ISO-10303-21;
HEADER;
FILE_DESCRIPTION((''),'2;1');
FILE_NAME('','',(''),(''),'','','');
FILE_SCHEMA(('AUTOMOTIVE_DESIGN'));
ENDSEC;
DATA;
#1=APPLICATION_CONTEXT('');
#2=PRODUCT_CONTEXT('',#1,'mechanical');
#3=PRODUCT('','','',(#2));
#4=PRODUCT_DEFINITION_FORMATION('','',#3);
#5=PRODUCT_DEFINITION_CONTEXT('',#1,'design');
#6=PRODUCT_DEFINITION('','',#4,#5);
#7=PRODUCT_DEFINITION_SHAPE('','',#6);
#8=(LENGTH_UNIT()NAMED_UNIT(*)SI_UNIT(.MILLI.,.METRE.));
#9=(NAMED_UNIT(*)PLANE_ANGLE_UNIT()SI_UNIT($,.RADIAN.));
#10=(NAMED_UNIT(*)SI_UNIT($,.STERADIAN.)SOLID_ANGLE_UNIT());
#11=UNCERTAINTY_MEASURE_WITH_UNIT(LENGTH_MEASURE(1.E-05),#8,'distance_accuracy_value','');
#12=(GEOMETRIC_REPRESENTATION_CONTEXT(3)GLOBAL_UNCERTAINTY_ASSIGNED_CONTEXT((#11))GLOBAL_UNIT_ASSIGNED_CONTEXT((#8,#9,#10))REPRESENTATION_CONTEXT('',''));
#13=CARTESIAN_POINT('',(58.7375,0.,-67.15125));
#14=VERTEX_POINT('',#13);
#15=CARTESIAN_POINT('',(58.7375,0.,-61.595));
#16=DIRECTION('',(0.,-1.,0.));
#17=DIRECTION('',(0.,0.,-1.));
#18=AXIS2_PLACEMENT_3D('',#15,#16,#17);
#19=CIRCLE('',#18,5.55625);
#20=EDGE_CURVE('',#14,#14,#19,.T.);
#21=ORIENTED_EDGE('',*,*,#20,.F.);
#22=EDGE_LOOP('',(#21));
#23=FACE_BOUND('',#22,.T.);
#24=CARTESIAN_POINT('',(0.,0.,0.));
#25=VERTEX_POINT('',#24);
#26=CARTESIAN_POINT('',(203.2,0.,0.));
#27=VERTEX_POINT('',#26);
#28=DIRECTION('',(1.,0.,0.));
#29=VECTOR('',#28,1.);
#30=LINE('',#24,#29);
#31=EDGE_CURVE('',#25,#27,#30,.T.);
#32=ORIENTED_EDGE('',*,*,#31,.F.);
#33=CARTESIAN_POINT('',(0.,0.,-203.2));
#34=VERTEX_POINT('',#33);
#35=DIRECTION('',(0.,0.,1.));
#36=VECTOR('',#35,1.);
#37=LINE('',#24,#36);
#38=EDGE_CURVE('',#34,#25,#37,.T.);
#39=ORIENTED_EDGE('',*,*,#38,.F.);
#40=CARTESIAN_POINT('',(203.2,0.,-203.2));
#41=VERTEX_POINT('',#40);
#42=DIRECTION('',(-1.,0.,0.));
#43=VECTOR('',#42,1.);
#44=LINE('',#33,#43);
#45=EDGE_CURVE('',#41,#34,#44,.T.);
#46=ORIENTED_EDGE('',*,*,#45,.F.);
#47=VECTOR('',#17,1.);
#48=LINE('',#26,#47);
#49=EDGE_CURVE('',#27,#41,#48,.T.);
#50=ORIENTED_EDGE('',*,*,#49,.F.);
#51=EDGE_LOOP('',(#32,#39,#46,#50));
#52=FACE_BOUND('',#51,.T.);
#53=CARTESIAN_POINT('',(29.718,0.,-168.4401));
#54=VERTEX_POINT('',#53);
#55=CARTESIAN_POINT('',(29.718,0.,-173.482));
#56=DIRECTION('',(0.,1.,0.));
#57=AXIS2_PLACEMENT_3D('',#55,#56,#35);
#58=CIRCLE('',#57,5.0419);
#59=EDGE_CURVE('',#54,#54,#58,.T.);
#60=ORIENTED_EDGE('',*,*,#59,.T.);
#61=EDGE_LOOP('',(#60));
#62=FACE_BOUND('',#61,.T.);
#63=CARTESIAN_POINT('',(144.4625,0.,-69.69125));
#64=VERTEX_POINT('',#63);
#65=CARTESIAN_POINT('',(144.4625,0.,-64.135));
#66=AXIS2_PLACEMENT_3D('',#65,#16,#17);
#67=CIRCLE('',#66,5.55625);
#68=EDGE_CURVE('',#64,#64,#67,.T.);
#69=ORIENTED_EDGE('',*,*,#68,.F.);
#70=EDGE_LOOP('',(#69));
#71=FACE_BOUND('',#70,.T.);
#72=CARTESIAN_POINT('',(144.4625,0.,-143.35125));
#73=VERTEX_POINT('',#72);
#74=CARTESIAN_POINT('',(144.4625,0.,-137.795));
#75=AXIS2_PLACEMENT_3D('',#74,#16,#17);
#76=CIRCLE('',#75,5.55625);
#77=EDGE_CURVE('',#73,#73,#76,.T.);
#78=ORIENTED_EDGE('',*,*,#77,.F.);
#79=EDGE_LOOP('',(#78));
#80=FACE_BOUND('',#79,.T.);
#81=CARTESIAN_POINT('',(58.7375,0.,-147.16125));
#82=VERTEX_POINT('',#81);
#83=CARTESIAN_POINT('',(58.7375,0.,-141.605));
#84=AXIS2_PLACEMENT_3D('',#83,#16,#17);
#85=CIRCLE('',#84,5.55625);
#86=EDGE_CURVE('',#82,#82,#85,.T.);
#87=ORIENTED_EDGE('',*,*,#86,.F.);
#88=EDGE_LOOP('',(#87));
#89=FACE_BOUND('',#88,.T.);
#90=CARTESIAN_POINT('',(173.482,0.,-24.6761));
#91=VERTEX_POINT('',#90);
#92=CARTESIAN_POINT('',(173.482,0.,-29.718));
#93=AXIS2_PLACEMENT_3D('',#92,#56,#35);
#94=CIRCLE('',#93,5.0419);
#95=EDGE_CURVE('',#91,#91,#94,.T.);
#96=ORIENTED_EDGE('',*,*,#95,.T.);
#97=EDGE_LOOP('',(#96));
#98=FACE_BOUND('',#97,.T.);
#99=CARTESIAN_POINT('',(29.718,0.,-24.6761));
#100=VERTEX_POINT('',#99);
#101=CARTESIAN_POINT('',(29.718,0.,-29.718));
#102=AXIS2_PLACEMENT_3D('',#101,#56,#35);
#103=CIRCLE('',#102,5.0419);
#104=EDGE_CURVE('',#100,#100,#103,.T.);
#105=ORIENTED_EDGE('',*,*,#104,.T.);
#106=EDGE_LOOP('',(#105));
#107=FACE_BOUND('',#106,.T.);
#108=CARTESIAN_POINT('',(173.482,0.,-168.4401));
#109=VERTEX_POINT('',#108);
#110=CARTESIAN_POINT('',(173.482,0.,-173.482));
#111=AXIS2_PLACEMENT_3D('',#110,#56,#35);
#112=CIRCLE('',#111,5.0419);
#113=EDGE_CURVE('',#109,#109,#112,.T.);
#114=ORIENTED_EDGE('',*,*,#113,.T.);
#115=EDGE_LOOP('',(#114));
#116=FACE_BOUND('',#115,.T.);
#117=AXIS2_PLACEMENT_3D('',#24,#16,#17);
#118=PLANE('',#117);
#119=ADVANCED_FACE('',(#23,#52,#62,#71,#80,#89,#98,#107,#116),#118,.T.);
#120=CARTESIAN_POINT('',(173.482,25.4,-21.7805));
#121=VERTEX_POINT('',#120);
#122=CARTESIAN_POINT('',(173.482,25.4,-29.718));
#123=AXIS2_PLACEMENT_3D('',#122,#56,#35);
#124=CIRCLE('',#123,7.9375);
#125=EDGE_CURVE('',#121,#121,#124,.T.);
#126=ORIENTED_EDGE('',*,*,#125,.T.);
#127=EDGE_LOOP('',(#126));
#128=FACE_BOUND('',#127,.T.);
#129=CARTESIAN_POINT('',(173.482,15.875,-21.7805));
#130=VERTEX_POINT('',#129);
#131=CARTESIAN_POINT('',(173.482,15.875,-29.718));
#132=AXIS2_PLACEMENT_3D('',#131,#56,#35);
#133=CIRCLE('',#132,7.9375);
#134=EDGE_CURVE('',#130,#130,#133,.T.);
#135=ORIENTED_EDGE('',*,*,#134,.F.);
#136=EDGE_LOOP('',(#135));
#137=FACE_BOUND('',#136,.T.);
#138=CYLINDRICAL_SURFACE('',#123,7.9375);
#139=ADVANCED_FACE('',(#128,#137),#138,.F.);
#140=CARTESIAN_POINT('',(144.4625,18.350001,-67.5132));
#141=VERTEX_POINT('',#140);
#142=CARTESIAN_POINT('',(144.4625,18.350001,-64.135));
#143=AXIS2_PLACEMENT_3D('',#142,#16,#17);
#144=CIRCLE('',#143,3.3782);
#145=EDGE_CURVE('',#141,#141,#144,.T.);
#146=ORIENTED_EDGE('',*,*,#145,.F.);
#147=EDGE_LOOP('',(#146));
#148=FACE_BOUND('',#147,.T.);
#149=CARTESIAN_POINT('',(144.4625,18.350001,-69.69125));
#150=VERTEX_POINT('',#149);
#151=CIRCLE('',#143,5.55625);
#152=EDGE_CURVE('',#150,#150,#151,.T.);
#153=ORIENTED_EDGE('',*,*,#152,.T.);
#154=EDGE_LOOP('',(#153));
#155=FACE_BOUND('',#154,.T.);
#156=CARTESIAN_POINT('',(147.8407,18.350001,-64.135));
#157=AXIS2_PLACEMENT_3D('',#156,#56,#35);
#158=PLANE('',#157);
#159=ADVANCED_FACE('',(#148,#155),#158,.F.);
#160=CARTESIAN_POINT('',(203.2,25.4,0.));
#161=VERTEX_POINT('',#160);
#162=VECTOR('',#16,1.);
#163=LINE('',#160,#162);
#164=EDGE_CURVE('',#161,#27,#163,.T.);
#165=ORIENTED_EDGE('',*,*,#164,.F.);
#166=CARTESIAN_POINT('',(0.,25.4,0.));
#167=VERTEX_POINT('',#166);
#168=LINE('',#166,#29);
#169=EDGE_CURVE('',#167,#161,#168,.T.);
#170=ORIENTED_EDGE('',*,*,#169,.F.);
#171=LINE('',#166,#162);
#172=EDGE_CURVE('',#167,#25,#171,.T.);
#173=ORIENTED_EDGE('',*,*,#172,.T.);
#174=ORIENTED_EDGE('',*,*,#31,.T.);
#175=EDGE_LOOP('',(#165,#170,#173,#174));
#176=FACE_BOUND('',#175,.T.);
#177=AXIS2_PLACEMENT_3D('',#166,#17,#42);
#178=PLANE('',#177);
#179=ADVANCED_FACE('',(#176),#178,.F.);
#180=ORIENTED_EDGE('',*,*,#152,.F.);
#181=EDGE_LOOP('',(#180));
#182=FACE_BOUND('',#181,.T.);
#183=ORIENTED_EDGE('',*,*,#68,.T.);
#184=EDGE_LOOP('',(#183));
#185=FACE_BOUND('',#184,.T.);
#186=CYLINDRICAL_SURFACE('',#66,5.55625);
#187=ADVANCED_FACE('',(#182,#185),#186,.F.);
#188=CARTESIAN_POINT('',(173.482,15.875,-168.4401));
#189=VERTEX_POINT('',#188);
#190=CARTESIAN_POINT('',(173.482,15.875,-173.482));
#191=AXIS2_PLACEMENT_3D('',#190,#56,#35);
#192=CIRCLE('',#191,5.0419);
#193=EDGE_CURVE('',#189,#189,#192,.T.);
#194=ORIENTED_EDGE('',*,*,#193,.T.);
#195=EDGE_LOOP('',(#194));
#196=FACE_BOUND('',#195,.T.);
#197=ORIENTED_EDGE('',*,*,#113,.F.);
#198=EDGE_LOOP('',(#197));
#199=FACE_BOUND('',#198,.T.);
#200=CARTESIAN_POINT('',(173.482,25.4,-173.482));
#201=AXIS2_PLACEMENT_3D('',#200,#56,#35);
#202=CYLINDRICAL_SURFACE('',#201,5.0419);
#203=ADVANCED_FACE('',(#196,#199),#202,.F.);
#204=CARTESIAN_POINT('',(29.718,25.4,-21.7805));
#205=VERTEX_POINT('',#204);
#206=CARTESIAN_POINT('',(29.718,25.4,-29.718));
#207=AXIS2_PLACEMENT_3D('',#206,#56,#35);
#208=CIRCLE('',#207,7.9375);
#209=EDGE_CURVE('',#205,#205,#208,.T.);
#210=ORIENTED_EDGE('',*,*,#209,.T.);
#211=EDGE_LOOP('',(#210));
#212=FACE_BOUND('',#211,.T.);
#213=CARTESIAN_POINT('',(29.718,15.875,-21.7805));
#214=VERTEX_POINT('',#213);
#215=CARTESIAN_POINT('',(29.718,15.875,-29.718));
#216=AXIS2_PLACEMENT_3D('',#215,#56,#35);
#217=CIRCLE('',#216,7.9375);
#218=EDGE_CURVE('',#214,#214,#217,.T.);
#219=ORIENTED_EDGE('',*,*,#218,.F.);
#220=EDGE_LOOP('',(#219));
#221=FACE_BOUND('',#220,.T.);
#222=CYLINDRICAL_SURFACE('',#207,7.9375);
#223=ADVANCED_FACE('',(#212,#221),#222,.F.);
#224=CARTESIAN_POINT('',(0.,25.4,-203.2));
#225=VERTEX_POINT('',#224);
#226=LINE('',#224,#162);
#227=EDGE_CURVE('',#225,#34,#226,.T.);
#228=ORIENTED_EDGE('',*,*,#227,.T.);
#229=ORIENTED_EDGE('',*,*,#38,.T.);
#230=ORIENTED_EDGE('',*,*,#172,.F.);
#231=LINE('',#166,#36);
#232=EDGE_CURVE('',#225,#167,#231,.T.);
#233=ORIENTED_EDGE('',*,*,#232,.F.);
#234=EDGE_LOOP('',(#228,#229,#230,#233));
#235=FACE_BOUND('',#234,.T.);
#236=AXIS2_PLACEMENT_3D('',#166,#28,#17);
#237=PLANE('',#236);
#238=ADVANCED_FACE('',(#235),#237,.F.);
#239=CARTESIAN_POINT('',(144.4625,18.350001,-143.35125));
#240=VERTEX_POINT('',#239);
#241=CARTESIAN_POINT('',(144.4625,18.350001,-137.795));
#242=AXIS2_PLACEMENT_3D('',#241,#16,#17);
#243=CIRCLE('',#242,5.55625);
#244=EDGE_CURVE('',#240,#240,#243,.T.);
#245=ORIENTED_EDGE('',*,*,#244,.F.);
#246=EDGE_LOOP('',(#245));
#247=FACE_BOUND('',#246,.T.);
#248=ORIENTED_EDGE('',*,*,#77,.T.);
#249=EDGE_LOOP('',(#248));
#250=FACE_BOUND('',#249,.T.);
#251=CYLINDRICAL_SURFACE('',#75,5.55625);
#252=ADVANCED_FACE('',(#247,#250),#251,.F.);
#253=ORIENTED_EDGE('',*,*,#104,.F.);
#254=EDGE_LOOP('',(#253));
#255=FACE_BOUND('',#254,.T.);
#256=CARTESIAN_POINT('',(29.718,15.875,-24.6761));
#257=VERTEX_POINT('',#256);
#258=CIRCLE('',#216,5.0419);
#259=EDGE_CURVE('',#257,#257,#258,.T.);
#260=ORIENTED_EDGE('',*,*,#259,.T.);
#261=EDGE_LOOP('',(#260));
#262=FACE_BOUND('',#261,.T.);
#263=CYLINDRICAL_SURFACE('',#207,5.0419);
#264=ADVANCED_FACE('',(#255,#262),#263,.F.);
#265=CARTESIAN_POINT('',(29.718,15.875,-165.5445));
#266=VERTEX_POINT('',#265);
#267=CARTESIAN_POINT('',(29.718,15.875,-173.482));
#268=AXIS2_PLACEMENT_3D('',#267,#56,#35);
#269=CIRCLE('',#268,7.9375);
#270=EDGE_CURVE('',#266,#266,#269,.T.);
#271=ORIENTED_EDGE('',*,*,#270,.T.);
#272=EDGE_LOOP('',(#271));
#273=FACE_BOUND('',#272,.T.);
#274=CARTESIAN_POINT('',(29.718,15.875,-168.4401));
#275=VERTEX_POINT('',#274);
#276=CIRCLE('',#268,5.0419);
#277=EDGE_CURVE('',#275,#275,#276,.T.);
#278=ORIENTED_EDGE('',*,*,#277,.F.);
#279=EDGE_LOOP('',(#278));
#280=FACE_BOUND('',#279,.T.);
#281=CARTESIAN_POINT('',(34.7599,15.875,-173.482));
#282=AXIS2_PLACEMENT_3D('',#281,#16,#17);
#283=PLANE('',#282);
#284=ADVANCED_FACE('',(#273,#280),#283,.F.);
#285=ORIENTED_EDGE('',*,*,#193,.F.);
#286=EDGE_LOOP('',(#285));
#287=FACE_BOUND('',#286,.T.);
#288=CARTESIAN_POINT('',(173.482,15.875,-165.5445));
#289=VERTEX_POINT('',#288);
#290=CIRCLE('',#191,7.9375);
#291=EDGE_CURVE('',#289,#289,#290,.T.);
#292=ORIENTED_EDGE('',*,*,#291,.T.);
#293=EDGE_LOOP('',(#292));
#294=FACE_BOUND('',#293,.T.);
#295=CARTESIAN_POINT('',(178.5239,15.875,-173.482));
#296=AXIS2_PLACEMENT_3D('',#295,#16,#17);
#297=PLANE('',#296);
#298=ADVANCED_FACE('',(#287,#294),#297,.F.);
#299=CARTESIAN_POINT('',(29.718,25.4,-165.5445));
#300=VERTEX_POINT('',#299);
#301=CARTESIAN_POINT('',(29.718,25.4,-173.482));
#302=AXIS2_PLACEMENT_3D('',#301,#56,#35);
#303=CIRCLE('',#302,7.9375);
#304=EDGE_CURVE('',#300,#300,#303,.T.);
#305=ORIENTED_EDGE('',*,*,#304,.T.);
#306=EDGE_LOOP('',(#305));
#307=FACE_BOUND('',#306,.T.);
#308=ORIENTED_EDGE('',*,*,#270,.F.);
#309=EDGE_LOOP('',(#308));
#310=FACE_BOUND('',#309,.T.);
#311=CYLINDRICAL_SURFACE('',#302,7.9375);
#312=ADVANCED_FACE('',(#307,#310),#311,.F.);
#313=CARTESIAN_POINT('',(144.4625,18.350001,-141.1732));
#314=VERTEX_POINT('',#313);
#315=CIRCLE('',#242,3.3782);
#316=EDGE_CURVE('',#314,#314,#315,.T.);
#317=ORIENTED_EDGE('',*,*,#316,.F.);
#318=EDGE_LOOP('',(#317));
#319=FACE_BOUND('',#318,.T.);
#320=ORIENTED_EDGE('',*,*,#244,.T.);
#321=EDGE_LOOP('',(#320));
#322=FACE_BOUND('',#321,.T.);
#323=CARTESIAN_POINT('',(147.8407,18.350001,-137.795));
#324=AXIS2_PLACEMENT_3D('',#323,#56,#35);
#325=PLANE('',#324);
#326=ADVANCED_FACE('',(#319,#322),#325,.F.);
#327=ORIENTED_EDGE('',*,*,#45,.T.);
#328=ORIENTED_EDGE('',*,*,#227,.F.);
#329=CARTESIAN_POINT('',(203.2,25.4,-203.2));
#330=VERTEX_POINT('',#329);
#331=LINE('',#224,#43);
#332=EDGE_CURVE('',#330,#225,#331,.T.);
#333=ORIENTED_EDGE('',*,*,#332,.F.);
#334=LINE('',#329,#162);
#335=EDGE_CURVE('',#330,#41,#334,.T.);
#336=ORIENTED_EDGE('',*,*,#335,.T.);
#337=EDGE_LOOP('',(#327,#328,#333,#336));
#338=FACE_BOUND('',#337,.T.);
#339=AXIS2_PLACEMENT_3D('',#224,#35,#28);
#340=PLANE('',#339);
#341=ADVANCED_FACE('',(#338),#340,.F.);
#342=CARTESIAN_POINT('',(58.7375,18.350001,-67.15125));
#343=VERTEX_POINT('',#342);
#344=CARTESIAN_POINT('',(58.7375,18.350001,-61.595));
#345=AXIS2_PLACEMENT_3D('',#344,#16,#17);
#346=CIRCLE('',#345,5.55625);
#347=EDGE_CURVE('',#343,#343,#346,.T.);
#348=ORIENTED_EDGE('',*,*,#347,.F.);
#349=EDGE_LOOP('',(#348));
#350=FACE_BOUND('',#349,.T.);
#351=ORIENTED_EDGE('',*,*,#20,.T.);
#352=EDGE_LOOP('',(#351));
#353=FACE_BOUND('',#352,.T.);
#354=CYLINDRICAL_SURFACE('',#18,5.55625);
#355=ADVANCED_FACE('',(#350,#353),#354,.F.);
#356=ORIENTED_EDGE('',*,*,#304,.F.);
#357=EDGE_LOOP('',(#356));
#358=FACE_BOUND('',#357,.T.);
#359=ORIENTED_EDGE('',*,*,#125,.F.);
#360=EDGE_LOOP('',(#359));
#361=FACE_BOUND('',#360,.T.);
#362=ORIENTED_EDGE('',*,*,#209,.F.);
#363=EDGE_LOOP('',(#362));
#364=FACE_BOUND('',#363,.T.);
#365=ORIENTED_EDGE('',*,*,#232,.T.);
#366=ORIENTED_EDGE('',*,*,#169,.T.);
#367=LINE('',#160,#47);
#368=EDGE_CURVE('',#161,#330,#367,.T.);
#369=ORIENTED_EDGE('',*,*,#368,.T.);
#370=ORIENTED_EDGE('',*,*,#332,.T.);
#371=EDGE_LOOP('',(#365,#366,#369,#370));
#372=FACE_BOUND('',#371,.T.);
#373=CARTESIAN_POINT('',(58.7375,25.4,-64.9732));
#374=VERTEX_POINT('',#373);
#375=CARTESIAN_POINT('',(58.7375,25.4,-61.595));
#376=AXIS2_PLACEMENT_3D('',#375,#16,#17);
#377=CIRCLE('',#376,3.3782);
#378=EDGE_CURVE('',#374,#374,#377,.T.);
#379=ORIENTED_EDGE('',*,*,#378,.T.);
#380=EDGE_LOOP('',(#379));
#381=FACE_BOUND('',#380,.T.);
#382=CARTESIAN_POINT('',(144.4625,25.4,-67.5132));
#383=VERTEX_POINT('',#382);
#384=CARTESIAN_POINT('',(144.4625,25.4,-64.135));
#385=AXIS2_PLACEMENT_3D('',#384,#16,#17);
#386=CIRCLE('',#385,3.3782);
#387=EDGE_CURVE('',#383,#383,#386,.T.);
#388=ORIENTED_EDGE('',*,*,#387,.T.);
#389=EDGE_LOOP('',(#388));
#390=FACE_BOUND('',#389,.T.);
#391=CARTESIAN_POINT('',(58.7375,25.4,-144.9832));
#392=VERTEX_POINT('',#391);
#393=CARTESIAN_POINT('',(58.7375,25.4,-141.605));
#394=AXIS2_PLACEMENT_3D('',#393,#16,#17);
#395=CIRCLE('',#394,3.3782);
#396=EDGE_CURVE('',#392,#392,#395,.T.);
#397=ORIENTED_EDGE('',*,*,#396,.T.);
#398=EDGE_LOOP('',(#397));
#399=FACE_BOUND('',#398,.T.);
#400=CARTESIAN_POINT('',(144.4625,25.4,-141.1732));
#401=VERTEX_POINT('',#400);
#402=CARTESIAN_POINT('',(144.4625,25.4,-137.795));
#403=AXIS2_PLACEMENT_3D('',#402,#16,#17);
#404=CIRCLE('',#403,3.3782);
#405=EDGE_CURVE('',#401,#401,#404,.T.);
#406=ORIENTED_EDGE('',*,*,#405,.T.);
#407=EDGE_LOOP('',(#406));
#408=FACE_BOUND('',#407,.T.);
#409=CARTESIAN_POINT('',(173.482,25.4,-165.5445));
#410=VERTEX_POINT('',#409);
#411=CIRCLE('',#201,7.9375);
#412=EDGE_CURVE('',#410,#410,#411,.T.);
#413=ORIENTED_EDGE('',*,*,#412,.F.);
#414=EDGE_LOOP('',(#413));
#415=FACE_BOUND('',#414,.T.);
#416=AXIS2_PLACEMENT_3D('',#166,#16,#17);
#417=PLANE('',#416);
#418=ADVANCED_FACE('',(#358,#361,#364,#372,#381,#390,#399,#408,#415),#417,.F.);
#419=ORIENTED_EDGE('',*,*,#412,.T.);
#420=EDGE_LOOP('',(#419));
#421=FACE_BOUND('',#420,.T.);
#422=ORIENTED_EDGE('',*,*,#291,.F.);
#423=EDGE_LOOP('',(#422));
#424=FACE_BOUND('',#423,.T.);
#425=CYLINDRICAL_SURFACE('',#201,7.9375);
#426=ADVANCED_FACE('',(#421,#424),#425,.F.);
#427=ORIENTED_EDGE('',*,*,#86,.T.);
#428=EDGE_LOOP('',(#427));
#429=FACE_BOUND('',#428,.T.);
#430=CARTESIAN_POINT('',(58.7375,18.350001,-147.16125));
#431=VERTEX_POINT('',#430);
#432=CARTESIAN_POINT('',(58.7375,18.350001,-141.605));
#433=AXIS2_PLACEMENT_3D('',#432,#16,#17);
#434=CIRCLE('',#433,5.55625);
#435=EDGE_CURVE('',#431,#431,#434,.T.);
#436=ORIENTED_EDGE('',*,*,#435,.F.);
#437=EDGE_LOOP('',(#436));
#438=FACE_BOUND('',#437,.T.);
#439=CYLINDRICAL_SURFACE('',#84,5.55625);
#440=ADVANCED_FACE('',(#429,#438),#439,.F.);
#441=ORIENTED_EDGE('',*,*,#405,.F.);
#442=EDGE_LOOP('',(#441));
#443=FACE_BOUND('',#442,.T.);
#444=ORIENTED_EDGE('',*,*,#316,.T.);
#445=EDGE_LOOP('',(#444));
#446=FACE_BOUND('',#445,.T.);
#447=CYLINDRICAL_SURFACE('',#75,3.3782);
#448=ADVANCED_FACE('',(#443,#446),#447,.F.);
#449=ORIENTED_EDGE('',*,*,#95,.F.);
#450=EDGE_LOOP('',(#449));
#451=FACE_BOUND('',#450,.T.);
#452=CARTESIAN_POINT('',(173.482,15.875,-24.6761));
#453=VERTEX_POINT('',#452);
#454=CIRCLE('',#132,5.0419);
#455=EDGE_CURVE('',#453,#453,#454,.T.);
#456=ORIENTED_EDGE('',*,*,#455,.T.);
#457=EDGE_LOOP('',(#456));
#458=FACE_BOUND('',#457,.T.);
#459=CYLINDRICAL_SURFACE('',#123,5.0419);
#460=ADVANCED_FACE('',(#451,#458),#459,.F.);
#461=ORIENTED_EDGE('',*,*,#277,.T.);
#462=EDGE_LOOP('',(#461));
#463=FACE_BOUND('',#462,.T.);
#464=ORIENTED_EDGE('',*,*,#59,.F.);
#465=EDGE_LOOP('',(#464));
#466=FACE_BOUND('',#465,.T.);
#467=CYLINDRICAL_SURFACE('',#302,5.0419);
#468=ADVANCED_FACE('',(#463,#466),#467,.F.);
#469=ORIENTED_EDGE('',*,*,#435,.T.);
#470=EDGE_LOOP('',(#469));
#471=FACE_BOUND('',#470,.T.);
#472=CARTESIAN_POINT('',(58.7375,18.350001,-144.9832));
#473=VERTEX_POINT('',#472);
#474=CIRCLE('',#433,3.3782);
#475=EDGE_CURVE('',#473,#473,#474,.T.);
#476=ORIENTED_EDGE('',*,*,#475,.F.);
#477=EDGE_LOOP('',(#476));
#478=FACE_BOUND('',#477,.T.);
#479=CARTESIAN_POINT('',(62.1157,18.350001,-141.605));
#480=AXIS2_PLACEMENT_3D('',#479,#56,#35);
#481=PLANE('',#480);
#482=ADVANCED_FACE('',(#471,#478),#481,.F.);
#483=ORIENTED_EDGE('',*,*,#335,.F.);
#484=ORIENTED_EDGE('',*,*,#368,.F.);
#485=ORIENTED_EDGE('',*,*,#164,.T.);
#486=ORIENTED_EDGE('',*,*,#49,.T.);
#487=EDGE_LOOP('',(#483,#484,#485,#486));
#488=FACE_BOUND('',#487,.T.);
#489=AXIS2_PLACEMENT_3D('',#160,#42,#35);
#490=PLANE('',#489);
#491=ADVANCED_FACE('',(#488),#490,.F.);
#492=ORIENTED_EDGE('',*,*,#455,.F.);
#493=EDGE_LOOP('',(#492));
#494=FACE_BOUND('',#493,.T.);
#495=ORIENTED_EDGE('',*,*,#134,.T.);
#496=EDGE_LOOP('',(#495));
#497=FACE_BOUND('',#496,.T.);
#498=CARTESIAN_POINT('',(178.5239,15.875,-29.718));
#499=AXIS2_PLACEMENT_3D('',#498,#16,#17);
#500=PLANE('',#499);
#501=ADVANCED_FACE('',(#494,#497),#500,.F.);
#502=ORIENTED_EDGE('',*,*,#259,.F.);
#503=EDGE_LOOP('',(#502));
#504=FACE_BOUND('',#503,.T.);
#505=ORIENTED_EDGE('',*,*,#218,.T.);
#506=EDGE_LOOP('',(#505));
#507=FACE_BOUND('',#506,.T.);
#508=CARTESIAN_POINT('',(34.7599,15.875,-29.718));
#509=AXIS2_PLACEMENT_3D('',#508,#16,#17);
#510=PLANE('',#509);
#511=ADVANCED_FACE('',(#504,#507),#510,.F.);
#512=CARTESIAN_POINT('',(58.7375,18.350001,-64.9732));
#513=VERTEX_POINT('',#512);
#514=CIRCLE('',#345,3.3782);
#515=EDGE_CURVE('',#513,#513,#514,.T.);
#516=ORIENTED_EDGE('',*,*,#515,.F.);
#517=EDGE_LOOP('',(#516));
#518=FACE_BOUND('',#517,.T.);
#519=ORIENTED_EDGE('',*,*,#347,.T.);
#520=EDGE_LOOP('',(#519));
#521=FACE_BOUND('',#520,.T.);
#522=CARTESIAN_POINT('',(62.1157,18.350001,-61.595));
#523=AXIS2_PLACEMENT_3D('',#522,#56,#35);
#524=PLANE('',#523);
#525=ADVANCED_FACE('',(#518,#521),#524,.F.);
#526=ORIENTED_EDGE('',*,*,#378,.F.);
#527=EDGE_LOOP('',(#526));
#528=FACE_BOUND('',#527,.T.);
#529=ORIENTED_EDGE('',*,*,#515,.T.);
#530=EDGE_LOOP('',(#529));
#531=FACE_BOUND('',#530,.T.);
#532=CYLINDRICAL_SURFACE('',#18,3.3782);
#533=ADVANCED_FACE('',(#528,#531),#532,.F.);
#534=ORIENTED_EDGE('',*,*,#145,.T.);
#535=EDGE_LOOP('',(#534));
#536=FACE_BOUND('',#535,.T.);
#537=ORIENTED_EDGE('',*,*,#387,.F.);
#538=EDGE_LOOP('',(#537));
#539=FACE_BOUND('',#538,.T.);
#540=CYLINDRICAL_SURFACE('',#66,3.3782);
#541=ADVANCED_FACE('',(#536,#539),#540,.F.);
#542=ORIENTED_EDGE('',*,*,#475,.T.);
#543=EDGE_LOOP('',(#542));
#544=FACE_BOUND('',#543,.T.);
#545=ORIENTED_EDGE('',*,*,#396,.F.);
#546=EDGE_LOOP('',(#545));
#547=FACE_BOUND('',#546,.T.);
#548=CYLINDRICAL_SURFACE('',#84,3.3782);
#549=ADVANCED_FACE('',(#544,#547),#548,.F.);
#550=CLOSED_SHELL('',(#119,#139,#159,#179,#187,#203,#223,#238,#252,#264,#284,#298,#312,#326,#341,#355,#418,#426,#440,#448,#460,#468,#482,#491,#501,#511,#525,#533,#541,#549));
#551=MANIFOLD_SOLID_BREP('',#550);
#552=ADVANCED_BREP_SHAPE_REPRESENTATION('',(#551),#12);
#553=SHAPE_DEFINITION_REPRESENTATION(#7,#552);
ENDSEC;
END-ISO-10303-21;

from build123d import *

# Parameters (mm, degrees)
SKETCH1_W                                        = 203.2
SKETCH1_H                                        = 203.2
BOSS_EXTRUDE1_DEPTH                              = 25.4
CBORE_FOR_1_4_SOCKET_HEAD_CAP_SCREW1_D           = 6.7564
CBORE_FOR_1_4_SOCKET_HEAD_CAP_SCREW1_CBORE_D     = 11.1125
CBORE_FOR_1_4_SOCKET_HEAD_CAP_SCREW1_CBORE_DEPTH = 18.3500014
CBORE_FOR_3_8_SOCKET_HEAD_CAP_SCREW1_D           = 10.0838
CBORE_FOR_3_8_SOCKET_HEAD_CAP_SCREW1_CBORE_D     = 15.875
CBORE_FOR_3_8_SOCKET_HEAD_CAP_SCREW1_CBORE_DEPTH = 9.525


with BuildPart() as part:
    # Sketch1 → Boss-Extrude1 (new body)
    with BuildSketch(Plane(origin=(0, 0, 0), x_dir=(1, 0, 0), z_dir=(0, 1, 0))):
        with Locations((101.6, 101.6)):
            Rectangle(SKETCH1_W, SKETCH1_H)
    extrude(amount=BOSS_EXTRUDE1_DEPTH)

    # CBORE for 1/4 Socket Head Cap Screw1 (through all)
    with Locations(Plane(origin=(0, 0, 0), x_dir=(-1, 0, 0), z_dir=(0, -1, 0))):
        with Locations((-144.4625, 64.135), (-58.7375, 61.595), (-58.7375, 141.605), (-144.4625, 137.795)):
            CounterBoreHole(CBORE_FOR_1_4_SOCKET_HEAD_CAP_SCREW1_D / 2, CBORE_FOR_1_4_SOCKET_HEAD_CAP_SCREW1_CBORE_D / 2, CBORE_FOR_1_4_SOCKET_HEAD_CAP_SCREW1_CBORE_DEPTH)

    # CBORE for 3/8 Socket Head Cap Screw1 (through all)
    with Locations(Plane(origin=(0, 25.4, 0), x_dir=(1, 0, 0), z_dir=(0, 1, 0))):
        with Locations((29.718, 173.482), (29.718, 29.718), (173.482, 29.718), (173.482, 173.482)):
            CounterBoreHole(CBORE_FOR_3_8_SOCKET_HEAD_CAP_SCREW1_D / 2, CBORE_FOR_3_8_SOCKET_HEAD_CAP_SCREW1_CBORE_D / 2, CBORE_FOR_3_8_SOCKET_HEAD_CAP_SCREW1_CBORE_DEPTH)


solid = part.part
